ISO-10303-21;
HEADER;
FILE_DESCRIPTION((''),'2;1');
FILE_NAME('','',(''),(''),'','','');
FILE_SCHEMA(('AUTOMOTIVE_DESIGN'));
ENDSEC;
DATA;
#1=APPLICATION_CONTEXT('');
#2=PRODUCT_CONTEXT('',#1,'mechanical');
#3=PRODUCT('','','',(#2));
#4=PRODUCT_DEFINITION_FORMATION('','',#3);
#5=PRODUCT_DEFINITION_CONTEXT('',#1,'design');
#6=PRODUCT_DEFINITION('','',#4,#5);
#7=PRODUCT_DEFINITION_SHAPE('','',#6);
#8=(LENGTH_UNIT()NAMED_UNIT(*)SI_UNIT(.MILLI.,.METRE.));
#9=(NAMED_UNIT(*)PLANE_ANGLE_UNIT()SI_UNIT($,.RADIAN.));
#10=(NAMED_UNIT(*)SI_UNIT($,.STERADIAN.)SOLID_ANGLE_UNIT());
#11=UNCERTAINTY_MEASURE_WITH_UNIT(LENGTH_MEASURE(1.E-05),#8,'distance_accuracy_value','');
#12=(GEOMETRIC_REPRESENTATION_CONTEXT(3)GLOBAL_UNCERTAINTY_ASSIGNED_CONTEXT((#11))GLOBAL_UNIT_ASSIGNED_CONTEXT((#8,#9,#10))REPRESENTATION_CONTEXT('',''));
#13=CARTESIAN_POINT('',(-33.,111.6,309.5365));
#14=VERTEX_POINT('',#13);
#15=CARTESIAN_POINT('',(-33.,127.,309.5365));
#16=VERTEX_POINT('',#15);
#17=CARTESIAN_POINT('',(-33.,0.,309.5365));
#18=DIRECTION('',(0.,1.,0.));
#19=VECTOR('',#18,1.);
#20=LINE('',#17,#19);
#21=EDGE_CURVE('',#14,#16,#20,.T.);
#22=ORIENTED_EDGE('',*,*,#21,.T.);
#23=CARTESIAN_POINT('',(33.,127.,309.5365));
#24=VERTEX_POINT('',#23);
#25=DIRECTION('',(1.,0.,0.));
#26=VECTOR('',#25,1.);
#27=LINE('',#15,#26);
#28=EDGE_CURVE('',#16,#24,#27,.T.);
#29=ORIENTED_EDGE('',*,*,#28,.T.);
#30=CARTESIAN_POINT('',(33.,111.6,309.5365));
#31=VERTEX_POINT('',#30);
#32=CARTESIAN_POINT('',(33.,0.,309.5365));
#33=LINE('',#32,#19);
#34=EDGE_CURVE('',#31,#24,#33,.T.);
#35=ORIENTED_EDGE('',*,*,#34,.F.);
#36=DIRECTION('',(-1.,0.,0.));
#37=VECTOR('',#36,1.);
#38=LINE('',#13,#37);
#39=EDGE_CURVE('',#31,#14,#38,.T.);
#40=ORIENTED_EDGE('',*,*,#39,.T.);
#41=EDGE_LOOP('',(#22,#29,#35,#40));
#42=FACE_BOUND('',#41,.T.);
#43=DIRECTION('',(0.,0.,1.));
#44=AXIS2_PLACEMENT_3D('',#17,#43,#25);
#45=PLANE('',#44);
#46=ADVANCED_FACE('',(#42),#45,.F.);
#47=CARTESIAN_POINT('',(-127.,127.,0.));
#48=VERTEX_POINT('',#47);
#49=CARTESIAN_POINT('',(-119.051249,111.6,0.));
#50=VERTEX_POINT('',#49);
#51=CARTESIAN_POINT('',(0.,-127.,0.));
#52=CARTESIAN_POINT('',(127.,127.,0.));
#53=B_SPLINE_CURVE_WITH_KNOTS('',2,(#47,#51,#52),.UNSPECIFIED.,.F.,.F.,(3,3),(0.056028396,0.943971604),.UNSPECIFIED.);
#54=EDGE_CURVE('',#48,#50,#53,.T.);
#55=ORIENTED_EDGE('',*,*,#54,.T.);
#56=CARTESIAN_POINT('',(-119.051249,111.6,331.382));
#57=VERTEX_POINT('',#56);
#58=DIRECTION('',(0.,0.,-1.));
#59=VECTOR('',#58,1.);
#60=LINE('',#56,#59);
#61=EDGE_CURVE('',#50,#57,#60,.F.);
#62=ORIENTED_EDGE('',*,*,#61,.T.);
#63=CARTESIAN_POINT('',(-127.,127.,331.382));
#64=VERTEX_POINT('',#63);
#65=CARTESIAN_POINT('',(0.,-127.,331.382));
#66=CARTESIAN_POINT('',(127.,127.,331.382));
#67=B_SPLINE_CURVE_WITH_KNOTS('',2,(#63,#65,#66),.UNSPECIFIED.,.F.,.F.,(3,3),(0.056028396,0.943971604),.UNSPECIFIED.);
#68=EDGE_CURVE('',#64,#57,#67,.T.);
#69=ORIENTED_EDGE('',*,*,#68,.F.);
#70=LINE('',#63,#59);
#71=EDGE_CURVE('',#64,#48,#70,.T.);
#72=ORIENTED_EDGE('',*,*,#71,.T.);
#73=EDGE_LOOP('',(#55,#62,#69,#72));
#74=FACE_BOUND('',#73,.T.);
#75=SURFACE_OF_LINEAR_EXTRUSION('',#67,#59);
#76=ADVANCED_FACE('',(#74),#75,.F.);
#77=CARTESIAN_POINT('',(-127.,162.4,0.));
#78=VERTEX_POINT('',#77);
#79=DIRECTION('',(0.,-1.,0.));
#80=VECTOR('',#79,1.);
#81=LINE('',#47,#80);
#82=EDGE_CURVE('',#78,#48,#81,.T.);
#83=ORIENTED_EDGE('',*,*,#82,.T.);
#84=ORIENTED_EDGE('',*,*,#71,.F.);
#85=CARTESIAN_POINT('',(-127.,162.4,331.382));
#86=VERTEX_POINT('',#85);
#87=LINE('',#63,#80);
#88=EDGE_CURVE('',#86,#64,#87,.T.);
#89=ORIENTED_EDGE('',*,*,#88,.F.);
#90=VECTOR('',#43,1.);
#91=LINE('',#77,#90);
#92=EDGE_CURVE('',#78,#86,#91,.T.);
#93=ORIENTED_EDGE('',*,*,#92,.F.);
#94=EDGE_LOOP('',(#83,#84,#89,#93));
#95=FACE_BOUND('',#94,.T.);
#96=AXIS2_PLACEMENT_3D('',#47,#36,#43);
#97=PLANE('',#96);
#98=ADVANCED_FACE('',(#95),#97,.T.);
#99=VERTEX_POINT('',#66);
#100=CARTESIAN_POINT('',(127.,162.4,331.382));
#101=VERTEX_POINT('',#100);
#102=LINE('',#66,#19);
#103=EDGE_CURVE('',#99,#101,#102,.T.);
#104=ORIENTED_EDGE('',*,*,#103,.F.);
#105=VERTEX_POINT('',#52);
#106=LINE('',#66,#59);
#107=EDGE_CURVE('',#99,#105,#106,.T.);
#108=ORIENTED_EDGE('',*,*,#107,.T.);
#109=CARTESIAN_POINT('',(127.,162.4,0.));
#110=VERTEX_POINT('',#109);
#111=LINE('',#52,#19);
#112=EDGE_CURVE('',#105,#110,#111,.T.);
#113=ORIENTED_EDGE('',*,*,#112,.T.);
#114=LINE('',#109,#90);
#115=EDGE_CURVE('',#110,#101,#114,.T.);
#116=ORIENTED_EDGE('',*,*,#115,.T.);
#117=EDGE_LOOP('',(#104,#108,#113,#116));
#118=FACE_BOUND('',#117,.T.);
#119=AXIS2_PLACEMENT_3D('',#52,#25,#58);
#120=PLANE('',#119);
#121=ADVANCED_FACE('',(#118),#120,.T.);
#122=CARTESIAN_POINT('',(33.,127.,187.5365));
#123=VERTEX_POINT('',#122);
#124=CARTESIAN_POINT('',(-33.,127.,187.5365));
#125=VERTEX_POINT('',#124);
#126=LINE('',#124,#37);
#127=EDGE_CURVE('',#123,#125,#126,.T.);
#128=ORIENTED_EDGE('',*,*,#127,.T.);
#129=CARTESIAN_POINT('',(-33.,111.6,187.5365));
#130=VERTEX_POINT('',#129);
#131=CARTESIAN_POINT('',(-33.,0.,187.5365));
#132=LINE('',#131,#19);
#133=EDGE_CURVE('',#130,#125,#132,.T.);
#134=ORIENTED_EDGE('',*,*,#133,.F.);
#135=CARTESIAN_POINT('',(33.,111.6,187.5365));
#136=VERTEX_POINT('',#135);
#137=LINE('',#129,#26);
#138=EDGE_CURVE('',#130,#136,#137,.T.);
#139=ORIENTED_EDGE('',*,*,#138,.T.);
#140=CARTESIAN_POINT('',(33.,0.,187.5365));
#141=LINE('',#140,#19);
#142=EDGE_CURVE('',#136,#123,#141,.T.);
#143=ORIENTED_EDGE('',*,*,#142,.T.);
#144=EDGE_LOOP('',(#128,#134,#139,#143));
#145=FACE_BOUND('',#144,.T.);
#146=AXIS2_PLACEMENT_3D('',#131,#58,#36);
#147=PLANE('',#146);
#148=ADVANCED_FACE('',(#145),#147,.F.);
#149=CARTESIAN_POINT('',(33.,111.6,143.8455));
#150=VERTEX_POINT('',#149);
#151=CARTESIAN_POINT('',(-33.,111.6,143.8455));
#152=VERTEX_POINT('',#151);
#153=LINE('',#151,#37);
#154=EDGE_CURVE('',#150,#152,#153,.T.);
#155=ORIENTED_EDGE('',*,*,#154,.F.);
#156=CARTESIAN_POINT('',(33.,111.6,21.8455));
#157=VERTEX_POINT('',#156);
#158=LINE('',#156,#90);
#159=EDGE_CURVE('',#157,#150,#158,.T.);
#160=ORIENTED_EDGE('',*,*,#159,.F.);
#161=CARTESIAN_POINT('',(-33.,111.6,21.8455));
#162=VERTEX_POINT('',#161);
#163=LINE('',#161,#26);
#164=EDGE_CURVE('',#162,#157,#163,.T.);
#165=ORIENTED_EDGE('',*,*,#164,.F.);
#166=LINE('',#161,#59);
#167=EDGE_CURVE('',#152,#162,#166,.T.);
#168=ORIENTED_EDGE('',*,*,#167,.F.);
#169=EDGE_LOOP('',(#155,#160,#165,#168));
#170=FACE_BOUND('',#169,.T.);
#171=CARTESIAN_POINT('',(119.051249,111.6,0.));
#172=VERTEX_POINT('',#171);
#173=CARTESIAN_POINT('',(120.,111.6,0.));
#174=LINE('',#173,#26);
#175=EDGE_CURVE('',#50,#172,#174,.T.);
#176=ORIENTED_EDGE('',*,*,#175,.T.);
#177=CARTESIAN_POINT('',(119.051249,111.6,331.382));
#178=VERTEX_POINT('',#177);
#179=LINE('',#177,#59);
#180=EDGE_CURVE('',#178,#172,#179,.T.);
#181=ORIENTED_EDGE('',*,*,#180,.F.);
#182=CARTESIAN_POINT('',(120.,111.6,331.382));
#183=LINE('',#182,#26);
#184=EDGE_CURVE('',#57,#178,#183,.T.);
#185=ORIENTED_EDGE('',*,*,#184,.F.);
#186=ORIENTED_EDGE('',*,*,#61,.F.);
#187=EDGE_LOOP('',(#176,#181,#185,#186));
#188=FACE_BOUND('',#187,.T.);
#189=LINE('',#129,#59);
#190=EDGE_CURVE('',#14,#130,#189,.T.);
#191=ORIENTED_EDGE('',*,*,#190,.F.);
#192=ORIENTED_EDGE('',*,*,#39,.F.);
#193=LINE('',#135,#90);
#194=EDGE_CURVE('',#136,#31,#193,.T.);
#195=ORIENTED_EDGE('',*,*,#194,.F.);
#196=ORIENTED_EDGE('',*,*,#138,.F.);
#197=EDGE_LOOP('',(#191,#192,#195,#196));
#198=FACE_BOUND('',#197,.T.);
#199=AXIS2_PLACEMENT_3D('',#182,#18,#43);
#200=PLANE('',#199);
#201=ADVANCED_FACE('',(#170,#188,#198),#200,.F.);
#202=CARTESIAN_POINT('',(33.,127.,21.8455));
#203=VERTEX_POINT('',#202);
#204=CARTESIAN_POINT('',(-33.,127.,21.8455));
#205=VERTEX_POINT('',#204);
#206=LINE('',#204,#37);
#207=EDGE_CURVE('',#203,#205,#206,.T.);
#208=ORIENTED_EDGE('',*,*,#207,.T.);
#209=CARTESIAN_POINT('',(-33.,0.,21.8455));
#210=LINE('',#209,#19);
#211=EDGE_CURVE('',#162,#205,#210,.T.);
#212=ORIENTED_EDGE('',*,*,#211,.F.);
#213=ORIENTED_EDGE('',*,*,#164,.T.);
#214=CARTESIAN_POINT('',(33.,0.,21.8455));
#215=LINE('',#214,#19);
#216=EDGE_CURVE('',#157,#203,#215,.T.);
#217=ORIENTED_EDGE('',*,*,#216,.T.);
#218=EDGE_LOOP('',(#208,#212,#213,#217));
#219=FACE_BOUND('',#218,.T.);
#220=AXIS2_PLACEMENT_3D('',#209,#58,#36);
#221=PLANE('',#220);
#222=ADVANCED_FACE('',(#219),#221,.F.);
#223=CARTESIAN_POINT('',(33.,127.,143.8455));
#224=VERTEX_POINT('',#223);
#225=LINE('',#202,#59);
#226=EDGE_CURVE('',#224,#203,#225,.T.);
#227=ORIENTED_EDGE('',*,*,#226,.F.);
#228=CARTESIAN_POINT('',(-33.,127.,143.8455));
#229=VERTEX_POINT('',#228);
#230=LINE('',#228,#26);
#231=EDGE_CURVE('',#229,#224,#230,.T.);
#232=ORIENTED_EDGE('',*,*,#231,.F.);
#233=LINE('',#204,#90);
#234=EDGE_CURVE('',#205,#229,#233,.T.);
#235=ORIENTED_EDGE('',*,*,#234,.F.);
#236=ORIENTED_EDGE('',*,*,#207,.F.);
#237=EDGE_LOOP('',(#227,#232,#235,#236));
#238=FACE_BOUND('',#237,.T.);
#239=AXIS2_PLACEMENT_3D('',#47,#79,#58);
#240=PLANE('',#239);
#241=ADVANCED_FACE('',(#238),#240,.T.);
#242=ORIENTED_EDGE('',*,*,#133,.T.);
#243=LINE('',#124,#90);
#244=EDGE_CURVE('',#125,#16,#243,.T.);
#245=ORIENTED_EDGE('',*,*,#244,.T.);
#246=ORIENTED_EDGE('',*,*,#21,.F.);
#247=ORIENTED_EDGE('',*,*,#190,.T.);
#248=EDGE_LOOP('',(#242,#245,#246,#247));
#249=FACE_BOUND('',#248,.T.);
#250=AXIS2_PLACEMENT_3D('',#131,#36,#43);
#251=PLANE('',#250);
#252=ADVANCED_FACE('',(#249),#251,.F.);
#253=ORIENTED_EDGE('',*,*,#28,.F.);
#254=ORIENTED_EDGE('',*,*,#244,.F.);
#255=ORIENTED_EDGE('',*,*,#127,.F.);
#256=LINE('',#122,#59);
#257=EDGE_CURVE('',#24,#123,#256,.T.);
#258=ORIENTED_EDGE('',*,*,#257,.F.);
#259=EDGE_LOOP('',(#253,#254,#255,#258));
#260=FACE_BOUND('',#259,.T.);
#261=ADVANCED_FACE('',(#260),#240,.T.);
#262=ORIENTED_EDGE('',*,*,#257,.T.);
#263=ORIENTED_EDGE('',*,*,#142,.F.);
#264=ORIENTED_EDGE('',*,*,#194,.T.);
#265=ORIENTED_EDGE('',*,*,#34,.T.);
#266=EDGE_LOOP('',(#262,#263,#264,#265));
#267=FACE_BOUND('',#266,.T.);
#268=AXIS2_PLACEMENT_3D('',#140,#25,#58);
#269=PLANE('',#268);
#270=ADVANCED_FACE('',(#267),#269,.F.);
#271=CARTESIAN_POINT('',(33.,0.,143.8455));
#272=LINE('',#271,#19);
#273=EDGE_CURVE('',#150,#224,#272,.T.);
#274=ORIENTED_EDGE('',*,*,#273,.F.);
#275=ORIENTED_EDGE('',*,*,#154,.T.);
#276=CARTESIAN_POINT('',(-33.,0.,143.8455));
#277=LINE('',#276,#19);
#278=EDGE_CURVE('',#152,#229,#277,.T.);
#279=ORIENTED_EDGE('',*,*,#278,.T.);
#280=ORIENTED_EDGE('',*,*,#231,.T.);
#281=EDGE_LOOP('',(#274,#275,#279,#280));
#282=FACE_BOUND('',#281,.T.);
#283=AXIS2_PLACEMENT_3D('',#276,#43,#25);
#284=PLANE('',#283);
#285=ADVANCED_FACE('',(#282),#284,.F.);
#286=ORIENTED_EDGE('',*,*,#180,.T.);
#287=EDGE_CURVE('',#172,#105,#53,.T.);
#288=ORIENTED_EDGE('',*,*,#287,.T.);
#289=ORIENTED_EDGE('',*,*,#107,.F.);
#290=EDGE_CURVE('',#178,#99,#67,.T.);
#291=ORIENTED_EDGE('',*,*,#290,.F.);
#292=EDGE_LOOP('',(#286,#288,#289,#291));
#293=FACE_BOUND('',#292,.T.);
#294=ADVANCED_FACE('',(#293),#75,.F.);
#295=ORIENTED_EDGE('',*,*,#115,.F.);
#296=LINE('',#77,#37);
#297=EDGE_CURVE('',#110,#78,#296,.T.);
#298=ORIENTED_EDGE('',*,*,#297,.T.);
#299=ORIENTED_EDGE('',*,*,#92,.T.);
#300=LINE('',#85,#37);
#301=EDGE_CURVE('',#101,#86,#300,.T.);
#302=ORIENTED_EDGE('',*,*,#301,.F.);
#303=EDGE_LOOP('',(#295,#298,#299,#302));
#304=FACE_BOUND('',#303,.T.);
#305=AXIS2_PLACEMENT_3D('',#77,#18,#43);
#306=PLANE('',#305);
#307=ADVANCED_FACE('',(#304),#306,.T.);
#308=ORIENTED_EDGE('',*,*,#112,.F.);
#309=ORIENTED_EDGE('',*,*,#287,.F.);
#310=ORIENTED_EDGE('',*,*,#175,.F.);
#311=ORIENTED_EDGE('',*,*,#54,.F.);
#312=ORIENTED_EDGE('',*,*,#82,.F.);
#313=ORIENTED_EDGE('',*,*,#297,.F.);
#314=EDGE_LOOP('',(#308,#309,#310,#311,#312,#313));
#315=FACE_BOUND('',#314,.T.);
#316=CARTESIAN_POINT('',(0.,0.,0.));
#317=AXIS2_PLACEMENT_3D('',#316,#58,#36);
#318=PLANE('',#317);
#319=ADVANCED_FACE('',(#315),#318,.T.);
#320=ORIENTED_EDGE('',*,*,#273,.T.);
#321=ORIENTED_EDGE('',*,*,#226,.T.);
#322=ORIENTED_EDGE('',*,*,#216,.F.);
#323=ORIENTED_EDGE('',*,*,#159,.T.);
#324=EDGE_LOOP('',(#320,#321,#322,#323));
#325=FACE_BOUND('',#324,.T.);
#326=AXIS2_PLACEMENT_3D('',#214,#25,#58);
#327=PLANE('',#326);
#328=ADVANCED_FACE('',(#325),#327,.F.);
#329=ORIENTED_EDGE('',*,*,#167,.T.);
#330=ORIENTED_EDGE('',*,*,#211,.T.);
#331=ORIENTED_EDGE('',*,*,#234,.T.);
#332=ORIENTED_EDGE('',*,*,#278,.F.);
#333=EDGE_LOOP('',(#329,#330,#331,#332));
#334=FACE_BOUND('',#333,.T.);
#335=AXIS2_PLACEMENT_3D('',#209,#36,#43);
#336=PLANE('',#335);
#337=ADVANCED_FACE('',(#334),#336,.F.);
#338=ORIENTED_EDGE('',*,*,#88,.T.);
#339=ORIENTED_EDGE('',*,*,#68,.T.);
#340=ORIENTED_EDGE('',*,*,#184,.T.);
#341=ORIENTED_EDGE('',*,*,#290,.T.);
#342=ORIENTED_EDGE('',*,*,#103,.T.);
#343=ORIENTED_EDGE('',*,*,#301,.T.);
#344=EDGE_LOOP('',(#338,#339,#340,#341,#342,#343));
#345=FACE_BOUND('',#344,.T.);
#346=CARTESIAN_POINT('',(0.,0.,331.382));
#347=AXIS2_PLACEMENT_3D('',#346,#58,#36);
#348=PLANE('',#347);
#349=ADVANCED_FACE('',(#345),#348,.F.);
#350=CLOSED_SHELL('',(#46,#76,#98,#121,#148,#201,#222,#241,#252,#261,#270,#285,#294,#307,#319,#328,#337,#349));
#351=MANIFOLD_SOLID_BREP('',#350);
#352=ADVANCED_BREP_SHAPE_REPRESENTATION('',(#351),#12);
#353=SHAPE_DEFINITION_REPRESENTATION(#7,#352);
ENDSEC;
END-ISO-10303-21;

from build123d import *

# Parameters (mm, degrees)
BOSS_EXTRUDE2_DEPTH = 331.382
SKETCH3_W           = 66
SKETCH3_H           = 122
CUT_EXTRUDE2_DEPTH  = 128.0000001
SKETCH4_W           = 240
SKETCH4_H           = 111.6
CUT_EXTRUDE3_DEPTH  = 332.3820001
SKETCH5_W           = 254
SKETCH5_H           = 35.4
BOSS_EXTRUDE3_DEPTH = 331.382


with BuildPart() as part:
    # Sketch2 → Boss-Extrude2 (new body)
    with BuildSketch(Plane.XY):
        with BuildLine():
            Line((-127, 127), (127, 127))
            add(Edge.make_bspline(
                [(-127, 127), (0, -127), (127, 127)],
                knots=[0.056028396, 0.056028396, 0.056028396, 0.943971604, 0.943971604, 0.943971604], degree=2))
        make_face()
    extrude(amount=BOSS_EXTRUDE2_DEPTH)

    # Sketch3 → Cut-Extrude2 (cut, through all)
    with BuildSketch(Plane(origin=(0, 127, 0), x_dir=(1, 0, 0), z_dir=(0, 1, 0))):
        with Locations((0, -82.8455)):
            Rectangle(SKETCH3_W, SKETCH3_H)
        with Locations((0, -248.5365)):
            Rectangle(SKETCH3_W, SKETCH3_H)
    extrude(amount=-CUT_EXTRUDE2_DEPTH, mode=Mode.SUBTRACT)

    # Sketch4 → Cut-Extrude3 (cut, through all)
    with BuildSketch(Plane(origin=(0, 0, 0), x_dir=(-1, 0, 0), z_dir=(0, 0, -1))):
        with Locations((0, 55.8)):
            Rectangle(SKETCH4_W, SKETCH4_H)
    extrude(amount=-CUT_EXTRUDE3_DEPTH, mode=Mode.SUBTRACT)

    # Sketch5 → Boss-Extrude3 (add)
    with BuildSketch(Plane.XY.offset(331.382)):
        with Locations((0, 144.7)):
            Rectangle(SKETCH5_W, SKETCH5_H)
    extrude(amount=-BOSS_EXTRUDE3_DEPTH)


solid = part.part
